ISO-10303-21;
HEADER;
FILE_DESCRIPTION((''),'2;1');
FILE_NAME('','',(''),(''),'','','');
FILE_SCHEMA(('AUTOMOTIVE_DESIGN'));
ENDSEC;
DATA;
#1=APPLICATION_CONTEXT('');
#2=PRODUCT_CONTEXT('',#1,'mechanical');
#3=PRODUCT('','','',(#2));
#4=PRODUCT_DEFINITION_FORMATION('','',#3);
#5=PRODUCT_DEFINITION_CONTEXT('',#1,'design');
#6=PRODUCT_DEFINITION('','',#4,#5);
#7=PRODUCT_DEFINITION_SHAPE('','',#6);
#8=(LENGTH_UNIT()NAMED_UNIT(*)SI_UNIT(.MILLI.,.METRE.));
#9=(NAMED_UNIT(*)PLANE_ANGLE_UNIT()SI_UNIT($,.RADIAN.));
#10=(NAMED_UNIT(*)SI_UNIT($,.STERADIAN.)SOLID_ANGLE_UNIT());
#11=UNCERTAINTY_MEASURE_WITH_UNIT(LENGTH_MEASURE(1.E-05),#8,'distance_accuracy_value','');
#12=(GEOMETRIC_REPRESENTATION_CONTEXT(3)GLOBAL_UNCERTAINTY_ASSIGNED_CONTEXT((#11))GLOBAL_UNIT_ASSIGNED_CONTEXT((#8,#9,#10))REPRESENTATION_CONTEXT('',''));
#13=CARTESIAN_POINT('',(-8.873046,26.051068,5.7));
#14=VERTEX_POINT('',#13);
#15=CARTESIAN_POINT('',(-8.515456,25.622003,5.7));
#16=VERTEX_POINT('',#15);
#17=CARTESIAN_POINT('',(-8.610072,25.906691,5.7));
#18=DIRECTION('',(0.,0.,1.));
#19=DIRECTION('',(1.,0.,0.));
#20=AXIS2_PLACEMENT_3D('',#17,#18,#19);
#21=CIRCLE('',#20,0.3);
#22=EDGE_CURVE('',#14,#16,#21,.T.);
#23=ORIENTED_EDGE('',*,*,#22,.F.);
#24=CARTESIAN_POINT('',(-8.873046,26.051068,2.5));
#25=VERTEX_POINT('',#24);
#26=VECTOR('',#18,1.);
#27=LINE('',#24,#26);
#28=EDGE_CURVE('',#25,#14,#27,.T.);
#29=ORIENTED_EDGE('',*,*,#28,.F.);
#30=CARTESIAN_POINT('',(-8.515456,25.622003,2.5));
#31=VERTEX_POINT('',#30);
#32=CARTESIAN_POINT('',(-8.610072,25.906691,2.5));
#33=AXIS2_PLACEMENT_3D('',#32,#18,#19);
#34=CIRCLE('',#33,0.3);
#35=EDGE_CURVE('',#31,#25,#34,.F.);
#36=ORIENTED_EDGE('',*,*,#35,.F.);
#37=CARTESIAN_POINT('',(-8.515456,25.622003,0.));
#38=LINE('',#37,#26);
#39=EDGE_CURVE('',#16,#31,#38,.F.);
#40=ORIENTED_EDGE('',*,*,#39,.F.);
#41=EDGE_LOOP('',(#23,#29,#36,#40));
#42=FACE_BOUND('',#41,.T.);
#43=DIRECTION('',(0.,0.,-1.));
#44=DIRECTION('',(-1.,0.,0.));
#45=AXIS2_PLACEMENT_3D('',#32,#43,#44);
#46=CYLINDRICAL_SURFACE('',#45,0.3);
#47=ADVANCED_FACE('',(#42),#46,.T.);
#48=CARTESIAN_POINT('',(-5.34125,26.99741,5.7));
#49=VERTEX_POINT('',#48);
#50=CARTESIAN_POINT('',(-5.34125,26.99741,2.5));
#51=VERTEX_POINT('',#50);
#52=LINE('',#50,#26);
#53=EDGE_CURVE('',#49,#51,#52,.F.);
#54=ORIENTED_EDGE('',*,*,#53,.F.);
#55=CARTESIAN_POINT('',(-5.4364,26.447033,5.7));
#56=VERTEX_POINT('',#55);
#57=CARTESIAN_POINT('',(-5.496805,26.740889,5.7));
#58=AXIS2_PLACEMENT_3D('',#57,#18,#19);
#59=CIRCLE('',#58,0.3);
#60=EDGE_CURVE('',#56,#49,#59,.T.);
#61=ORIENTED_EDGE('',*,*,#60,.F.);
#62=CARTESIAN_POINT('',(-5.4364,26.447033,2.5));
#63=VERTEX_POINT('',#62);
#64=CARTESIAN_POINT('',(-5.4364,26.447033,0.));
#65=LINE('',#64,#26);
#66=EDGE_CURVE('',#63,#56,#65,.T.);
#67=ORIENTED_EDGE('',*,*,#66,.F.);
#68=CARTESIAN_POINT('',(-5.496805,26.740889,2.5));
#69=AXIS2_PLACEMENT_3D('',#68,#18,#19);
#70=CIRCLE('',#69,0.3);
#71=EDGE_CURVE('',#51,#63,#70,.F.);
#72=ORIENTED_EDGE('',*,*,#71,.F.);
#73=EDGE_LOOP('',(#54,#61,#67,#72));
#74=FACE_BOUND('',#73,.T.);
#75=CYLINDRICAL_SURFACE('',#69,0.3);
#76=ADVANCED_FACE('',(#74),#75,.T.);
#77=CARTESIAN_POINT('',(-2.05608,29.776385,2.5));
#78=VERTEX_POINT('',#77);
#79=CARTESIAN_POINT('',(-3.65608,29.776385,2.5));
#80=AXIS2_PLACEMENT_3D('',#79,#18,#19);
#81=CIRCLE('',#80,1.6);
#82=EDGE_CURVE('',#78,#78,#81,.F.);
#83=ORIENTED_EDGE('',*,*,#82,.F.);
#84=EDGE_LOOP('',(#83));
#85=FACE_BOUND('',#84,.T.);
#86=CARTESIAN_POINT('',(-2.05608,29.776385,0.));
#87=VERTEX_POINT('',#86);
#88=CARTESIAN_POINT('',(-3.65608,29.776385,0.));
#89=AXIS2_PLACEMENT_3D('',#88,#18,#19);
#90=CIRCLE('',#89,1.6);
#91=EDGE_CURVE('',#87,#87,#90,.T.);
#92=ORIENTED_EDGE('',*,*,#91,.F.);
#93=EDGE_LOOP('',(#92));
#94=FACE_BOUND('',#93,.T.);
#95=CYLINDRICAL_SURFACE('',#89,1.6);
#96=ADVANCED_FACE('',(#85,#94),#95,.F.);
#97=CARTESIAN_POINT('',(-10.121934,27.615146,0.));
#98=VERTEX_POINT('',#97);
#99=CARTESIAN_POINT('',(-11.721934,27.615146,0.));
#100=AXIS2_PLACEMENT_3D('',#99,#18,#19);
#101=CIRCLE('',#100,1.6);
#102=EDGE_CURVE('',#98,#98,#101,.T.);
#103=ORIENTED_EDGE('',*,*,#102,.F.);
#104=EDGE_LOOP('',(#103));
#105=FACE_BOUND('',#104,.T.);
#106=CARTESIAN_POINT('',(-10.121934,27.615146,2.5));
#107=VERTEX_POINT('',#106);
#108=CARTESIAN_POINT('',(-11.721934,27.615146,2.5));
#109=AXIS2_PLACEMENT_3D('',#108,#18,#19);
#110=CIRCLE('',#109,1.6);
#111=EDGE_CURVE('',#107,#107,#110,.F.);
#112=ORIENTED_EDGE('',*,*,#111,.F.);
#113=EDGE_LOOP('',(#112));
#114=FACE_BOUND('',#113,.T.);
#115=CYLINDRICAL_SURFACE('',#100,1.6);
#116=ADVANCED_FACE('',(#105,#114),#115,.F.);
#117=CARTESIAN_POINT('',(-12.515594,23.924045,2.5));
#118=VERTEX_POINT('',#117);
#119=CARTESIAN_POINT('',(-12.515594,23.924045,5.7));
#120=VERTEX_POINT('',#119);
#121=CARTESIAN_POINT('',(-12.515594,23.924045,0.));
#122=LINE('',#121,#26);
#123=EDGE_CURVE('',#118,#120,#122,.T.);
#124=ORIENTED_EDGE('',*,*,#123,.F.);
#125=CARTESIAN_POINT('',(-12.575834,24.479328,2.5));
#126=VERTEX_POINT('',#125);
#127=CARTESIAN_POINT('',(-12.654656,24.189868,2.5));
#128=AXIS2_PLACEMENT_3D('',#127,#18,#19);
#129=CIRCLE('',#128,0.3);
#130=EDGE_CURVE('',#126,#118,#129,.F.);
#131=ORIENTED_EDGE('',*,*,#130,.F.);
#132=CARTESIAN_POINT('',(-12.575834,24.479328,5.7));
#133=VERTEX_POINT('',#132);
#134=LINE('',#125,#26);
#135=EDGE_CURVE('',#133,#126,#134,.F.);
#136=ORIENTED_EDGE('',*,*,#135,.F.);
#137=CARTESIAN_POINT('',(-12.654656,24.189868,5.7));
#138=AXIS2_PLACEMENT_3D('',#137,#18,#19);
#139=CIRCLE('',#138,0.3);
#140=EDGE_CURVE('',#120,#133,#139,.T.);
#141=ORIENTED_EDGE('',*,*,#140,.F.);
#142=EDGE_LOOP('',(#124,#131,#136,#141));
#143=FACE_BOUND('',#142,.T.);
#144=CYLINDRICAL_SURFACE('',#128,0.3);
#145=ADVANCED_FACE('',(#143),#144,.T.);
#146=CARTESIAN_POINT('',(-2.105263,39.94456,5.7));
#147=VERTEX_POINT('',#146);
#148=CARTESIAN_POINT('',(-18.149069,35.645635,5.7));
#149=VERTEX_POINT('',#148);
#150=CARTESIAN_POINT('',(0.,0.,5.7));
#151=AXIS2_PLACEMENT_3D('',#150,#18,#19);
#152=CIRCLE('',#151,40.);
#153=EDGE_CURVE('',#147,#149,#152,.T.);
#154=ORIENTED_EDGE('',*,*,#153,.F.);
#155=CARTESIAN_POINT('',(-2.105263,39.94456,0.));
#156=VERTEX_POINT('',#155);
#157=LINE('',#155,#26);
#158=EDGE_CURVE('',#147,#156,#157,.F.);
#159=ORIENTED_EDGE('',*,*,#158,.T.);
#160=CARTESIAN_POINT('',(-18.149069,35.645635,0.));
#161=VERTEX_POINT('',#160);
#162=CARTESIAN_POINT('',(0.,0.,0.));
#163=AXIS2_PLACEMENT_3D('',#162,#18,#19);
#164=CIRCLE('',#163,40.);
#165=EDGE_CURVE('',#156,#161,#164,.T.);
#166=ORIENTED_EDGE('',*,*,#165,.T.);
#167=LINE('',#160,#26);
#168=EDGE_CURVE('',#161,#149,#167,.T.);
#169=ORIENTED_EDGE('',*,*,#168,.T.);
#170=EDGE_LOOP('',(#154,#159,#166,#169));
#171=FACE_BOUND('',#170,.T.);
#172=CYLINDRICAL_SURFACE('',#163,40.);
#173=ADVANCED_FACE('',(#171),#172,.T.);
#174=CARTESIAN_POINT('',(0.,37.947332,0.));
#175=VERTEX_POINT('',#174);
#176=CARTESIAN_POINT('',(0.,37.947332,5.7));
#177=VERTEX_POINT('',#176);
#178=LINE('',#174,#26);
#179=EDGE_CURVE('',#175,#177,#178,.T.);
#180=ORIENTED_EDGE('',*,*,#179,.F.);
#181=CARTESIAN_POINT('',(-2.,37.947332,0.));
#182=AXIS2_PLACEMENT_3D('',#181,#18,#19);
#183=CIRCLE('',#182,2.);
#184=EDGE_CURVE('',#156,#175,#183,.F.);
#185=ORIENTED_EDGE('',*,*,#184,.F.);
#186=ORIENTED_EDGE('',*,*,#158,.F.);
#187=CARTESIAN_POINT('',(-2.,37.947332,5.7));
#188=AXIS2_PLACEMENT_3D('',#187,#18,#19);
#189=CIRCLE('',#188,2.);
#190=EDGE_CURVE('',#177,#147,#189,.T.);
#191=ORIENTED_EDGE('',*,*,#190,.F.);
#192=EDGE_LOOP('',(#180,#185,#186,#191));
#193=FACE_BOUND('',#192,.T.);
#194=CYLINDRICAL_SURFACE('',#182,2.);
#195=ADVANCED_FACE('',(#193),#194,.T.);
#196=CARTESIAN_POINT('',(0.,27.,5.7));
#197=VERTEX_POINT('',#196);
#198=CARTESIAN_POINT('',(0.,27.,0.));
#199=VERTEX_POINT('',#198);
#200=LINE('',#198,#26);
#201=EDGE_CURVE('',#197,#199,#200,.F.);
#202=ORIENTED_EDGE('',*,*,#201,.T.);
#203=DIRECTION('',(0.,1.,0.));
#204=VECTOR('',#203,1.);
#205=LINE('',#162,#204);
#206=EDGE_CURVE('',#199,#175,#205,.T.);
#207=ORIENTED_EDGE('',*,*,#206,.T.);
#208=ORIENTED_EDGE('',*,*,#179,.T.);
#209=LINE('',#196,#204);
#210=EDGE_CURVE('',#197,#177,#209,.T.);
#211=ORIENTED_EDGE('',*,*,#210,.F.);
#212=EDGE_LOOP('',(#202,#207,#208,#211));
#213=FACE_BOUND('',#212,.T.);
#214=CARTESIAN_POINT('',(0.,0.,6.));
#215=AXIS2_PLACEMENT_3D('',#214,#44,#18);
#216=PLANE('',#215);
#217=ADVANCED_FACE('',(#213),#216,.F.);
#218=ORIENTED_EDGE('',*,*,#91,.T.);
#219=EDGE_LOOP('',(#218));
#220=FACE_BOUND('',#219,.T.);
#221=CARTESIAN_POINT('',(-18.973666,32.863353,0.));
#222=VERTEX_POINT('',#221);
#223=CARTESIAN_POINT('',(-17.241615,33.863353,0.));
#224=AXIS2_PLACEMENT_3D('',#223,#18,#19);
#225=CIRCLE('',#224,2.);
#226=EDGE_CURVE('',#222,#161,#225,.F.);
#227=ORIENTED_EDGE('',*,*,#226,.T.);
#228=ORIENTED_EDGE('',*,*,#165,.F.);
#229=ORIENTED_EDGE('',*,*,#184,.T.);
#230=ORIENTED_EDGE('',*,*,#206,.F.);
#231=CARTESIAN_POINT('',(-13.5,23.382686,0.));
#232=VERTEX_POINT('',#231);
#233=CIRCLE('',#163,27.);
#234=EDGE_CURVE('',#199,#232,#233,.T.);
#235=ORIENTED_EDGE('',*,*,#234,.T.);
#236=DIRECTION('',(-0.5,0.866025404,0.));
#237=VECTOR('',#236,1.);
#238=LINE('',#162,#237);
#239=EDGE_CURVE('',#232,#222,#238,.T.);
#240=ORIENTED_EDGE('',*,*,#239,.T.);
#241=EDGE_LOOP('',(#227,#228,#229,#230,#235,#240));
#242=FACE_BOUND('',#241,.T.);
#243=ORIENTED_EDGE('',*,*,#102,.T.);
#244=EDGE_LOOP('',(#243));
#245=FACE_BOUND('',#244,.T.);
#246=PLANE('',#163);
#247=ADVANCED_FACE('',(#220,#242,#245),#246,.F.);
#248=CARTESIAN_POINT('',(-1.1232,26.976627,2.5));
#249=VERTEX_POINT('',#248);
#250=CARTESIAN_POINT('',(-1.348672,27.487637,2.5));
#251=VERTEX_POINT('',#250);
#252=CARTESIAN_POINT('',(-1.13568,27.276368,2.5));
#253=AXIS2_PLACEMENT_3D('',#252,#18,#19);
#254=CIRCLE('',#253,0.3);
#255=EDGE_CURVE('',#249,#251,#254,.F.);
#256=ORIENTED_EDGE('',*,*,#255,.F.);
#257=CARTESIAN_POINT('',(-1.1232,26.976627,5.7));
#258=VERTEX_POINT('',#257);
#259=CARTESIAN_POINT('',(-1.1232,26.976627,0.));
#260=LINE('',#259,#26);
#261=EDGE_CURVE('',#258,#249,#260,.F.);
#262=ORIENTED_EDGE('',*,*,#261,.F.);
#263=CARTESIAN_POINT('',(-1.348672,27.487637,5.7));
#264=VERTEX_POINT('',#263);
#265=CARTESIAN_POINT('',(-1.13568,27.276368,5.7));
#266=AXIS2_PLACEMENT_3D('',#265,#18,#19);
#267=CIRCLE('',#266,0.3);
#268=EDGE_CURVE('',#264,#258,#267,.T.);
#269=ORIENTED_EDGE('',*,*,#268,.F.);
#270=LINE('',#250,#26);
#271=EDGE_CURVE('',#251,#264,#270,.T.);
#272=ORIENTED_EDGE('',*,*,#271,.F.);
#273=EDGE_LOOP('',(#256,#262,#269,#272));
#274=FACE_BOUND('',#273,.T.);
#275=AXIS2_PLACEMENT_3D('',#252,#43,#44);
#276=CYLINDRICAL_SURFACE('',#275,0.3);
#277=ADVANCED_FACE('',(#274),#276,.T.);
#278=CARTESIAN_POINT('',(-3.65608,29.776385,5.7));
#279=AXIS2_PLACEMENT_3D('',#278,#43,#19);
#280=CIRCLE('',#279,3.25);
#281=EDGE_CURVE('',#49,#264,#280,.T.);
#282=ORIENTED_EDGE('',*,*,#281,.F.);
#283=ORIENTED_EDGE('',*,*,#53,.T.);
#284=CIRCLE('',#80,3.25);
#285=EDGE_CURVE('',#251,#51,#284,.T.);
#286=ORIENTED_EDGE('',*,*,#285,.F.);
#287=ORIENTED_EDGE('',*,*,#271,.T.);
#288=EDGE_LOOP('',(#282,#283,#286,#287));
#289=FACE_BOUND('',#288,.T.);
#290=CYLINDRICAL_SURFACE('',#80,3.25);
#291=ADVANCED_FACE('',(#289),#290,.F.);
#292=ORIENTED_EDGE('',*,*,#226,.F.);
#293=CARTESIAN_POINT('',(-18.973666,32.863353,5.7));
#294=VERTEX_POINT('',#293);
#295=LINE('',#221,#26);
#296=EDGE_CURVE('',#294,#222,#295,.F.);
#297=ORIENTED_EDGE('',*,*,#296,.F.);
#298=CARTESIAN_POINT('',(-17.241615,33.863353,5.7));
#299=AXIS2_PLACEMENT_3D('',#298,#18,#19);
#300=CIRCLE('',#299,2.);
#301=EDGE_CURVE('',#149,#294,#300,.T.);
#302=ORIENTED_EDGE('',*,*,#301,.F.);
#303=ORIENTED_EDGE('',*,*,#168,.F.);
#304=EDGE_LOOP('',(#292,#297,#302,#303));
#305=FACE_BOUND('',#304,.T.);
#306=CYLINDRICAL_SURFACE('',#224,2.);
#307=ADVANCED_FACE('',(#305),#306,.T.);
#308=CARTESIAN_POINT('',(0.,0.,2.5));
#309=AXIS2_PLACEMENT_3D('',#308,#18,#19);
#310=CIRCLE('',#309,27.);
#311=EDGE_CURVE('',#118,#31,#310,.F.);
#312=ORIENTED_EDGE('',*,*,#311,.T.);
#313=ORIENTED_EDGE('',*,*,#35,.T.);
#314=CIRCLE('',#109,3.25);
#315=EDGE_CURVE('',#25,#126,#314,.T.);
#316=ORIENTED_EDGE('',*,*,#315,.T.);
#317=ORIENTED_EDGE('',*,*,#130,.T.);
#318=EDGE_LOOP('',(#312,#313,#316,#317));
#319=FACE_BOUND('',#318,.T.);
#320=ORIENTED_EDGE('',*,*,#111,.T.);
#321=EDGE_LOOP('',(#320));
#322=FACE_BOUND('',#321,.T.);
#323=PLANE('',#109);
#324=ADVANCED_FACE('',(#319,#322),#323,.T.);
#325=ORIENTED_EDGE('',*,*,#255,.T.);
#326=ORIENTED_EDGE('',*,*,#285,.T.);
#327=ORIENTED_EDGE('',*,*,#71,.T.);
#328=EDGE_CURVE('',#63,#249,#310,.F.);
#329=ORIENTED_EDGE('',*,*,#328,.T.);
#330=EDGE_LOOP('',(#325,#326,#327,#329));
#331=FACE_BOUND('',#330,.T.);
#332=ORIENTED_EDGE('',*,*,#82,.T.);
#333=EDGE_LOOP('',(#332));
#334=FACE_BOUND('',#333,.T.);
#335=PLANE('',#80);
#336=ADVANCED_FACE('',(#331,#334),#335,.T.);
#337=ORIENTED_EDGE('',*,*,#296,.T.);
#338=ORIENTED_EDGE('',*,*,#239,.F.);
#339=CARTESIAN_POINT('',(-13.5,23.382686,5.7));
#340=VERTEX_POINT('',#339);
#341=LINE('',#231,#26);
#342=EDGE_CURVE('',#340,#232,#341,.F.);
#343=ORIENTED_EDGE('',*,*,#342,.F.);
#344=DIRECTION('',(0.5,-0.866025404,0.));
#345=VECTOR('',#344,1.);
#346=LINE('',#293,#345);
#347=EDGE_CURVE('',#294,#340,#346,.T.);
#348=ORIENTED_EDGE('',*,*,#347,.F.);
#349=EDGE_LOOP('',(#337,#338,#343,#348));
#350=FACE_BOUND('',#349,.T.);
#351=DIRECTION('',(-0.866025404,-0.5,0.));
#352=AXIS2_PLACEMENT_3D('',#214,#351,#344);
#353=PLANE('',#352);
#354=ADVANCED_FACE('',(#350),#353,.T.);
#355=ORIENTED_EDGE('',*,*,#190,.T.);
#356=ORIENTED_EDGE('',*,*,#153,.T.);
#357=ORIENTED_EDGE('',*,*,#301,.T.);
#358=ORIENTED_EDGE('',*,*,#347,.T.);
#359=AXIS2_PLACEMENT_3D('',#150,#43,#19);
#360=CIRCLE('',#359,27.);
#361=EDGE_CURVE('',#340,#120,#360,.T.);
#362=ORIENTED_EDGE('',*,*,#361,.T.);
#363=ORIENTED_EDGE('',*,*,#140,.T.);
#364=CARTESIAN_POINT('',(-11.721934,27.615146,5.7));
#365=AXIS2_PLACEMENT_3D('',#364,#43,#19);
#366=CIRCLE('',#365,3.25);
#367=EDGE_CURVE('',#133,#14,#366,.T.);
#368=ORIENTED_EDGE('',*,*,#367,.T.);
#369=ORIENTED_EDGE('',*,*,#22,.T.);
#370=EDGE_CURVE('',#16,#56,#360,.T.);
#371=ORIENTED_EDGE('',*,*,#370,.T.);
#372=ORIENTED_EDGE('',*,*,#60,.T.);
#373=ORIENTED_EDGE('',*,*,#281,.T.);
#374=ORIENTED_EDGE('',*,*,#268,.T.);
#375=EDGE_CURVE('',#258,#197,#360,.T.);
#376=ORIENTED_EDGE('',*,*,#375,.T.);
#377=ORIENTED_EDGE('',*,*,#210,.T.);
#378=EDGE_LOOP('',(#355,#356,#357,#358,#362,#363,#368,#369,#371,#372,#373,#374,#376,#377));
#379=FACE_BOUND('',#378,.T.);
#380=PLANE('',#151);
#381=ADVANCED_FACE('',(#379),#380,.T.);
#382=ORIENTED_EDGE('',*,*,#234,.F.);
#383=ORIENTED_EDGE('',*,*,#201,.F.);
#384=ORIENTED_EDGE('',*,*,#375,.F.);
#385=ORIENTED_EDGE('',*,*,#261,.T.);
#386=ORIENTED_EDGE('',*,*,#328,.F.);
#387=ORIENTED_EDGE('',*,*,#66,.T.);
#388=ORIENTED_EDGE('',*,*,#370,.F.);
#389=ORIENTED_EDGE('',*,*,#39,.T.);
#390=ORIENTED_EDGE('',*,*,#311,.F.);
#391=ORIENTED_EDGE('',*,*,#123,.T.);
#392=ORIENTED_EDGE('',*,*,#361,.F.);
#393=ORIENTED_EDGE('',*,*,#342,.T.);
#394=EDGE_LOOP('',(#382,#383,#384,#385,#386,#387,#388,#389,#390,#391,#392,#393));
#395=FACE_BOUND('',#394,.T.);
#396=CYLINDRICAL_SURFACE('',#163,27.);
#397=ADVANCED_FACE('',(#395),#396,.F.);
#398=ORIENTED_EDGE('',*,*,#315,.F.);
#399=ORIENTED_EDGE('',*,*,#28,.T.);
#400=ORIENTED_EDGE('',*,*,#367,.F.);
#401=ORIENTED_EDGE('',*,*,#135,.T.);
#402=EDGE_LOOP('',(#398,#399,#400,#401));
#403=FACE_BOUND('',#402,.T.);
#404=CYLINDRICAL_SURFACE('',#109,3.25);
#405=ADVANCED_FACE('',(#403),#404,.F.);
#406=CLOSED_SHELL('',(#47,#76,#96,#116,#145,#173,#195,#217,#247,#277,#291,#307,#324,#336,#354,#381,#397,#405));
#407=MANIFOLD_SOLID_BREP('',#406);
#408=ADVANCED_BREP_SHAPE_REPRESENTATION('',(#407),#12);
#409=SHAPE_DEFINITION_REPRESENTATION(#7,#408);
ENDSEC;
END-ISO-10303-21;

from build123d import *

# Parameters (mm, degrees)
EXTRUDE_2_DEPTH     = 6
SKETCH_2_R          = 4
EXTRUDE_3_DEPTH     = 6
EXTRUDE_4_DEPTH     = 6
SKETCH_5_R          = 27
CUT_EXTRUDE_2_DEPTH = 46.122056691
SKETCH_6_R          = 1.6
CUT_EXTRUDE_3_DEPTH = 46.122056691
FILLET_1_R          = 2
SKETCH_7_R          = 3.25
CUT_EXTRUDE_5_DEPTH = 3.5
FILLET_4_R          = 0.3
CUT_EXTRUDE_6_DEPTH = 6
CUT_EXTRUDE_7_DEPTH = 0.3


with BuildPart() as part:
    # 草图1 → 凸台-拉伸2 (new body)
    with BuildSketch(Plane.XY):
        with BuildLine():
            Line((-15, 25.980762114), (0, 0))
            Line((0, 0), (0, 30))
            ThreePointArc((0, 30), (-7.764571353, 28.977774789), (-15, 25.980762114))
        make_face()
    extrude(amount=EXTRUDE_2_DEPTH)

    # 草图2 → 凸台-拉伸3 (add)
    with BuildSketch(Plane.XY.offset(6)):
        with Locations((-3.656080302, 29.776384549)):
            Circle(SKETCH_2_R)
        with Locations((-11.721933855, 27.615145604)):
            Circle(SKETCH_2_R)
    extrude(amount=-EXTRUDE_3_DEPTH)

    # 草图4 → 凸台-拉伸4 (add, through all)
    with BuildSketch(Plane.XY.offset(6)):
        with BuildLine():
            Line((0, 0), (0, 40))
            ThreePointArc((0, 40), (-10.352761804, 38.637033052), (-20, 34.641016151))
            Line((-20, 34.641016151), (0, 0))
        make_face()
    extrude(amount=-EXTRUDE_4_DEPTH)

    # 草图5 → 切除-拉伸2 (cut, through all)
    with BuildSketch(Plane.XY.offset(6)):
        Circle(SKETCH_5_R)
    extrude(amount=-CUT_EXTRUDE_2_DEPTH, mode=Mode.SUBTRACT)

    # 草图6 → 切除-拉伸3 (cut, through all)
    with BuildSketch(Plane.XY.offset(6)):
        with Locations((-3.656080302, 29.776384549)):
            Circle(SKETCH_6_R)
        with Locations((-11.721933855, 27.615145604)):
            Circle(SKETCH_6_R)
    extrude(amount=-CUT_EXTRUDE_3_DEPTH, mode=Mode.SUBTRACT)

    # 圆角1
    fillet_1_edges = [part.edges().sort_by_distance(p)[0] for p in [
        (0, 40, 3),
        (-20, 34.641016151, 3),
    ]]
    fillet(fillet_1_edges, radius=FILLET_1_R)

    # 草图7 → 切除-拉伸5 (cut)
    with BuildSketch(Plane.XY.offset(6)):
        with Locations((-11.721933855, 27.615145604)):
            Circle(SKETCH_7_R)
        with Locations((-3.656080302, 29.776384549)):
            Circle(SKETCH_7_R)
    extrude(amount=-CUT_EXTRUDE_5_DEPTH, mode=Mode.SUBTRACT)

    # 圆角4
    fillet_4_edges = [part.edges().sort_by_distance(p)[0] for p in [
        (-2.110567489, 26.91738295, 4.25),
        (-4.464029693, 26.628414127, 4.25),
        (-9.448243946, 25.292897943, 4.25),
        (-11.630886413, 24.366421183, 4.25),
    ]]
    fillet(fillet_4_edges, radius=FILLET_4_R)

    # 草图8 → 切除-拉伸6 (cut)
    with BuildSketch(Plane.XY.offset(6)):
        with BuildLine():
            Line((-15.699530186, 27.192383937), (-14.076854363, 24.381826968))
            ThreePointArc((-14.076854363, 24.381826968), (-15.18603547, 25.615145604), (-15.699530186, 27.192383937))
        make_face()
        with BuildLine():
            Line((0, 31.399060372), (0, 28.153708727))
            ThreePointArc((0, 28.153708727), (0.343919698, 29.776384549), (0, 31.399060372))
        make_face()
    extrude(amount=-CUT_EXTRUDE_6_DEPTH, mode=Mode.SUBTRACT)

    # 草图9 → 切除-拉伸7 (cut)
    with BuildSketch(Plane.XY.offset(6)):
        with BuildLine():
            Line((0, 27), (0, 37.947331922))
            ThreePointArc((0, 37.947331922), (-0.623505597, 39.398284422), (-2.105263158, 39.944559918))
            ThreePointArc((-2.105263158, 39.944559918), (-10.352761804, 38.637033052), (-18.149068583, 35.645635211))
            ThreePointArc((-18.149068583, 35.645635211), (-19.159170525, 34.431667974), (-18.973665961, 32.86335345))
            Line((-18.973665961, 32.86335345), (-13.5, 23.382685902))
            ThreePointArc((-13.5, 23.382685902), (-13.010612738, 23.658485924), (-12.515593512, 23.924044788))
            ThreePointArc((-12.515593512, 23.924044788), (-12.356405623, 24.222223556), (-12.575834101, 24.479327629))
            ThreePointArc((-12.575834101, 24.479327629), (-12.991810022, 30.606786377), (-8.873046225, 26.051067832))
            ThreePointArc((-8.873046225, 26.051067832), (-8.840528862, 25.714624698), (-8.515455807, 25.622002506))
            ThreePointArc((-8.515455807, 25.622002506), (-6.988114218, 26.07999731), (-5.436400199, 26.447032969))
            ThreePointArc((-5.436400199, 26.447032969), (-5.201189771, 26.689782668), (-5.341250476, 26.997409651))
            ThreePointArc((-5.341250476, 26.997409651), (-4.052155668, 33.002159542), (-1.348672009, 27.487636645))
            ThreePointArc((-1.348672009, 27.487636645), (-1.410150609, 27.155263747), (-1.123200469, 26.976627304))
            ThreePointArc((-1.123200469, 26.976627304), (-0.561721812, 26.994156194), (0, 27))
        make_face()
    extrude(amount=-CUT_EXTRUDE_7_DEPTH, mode=Mode.SUBTRACT)


solid = part.part
